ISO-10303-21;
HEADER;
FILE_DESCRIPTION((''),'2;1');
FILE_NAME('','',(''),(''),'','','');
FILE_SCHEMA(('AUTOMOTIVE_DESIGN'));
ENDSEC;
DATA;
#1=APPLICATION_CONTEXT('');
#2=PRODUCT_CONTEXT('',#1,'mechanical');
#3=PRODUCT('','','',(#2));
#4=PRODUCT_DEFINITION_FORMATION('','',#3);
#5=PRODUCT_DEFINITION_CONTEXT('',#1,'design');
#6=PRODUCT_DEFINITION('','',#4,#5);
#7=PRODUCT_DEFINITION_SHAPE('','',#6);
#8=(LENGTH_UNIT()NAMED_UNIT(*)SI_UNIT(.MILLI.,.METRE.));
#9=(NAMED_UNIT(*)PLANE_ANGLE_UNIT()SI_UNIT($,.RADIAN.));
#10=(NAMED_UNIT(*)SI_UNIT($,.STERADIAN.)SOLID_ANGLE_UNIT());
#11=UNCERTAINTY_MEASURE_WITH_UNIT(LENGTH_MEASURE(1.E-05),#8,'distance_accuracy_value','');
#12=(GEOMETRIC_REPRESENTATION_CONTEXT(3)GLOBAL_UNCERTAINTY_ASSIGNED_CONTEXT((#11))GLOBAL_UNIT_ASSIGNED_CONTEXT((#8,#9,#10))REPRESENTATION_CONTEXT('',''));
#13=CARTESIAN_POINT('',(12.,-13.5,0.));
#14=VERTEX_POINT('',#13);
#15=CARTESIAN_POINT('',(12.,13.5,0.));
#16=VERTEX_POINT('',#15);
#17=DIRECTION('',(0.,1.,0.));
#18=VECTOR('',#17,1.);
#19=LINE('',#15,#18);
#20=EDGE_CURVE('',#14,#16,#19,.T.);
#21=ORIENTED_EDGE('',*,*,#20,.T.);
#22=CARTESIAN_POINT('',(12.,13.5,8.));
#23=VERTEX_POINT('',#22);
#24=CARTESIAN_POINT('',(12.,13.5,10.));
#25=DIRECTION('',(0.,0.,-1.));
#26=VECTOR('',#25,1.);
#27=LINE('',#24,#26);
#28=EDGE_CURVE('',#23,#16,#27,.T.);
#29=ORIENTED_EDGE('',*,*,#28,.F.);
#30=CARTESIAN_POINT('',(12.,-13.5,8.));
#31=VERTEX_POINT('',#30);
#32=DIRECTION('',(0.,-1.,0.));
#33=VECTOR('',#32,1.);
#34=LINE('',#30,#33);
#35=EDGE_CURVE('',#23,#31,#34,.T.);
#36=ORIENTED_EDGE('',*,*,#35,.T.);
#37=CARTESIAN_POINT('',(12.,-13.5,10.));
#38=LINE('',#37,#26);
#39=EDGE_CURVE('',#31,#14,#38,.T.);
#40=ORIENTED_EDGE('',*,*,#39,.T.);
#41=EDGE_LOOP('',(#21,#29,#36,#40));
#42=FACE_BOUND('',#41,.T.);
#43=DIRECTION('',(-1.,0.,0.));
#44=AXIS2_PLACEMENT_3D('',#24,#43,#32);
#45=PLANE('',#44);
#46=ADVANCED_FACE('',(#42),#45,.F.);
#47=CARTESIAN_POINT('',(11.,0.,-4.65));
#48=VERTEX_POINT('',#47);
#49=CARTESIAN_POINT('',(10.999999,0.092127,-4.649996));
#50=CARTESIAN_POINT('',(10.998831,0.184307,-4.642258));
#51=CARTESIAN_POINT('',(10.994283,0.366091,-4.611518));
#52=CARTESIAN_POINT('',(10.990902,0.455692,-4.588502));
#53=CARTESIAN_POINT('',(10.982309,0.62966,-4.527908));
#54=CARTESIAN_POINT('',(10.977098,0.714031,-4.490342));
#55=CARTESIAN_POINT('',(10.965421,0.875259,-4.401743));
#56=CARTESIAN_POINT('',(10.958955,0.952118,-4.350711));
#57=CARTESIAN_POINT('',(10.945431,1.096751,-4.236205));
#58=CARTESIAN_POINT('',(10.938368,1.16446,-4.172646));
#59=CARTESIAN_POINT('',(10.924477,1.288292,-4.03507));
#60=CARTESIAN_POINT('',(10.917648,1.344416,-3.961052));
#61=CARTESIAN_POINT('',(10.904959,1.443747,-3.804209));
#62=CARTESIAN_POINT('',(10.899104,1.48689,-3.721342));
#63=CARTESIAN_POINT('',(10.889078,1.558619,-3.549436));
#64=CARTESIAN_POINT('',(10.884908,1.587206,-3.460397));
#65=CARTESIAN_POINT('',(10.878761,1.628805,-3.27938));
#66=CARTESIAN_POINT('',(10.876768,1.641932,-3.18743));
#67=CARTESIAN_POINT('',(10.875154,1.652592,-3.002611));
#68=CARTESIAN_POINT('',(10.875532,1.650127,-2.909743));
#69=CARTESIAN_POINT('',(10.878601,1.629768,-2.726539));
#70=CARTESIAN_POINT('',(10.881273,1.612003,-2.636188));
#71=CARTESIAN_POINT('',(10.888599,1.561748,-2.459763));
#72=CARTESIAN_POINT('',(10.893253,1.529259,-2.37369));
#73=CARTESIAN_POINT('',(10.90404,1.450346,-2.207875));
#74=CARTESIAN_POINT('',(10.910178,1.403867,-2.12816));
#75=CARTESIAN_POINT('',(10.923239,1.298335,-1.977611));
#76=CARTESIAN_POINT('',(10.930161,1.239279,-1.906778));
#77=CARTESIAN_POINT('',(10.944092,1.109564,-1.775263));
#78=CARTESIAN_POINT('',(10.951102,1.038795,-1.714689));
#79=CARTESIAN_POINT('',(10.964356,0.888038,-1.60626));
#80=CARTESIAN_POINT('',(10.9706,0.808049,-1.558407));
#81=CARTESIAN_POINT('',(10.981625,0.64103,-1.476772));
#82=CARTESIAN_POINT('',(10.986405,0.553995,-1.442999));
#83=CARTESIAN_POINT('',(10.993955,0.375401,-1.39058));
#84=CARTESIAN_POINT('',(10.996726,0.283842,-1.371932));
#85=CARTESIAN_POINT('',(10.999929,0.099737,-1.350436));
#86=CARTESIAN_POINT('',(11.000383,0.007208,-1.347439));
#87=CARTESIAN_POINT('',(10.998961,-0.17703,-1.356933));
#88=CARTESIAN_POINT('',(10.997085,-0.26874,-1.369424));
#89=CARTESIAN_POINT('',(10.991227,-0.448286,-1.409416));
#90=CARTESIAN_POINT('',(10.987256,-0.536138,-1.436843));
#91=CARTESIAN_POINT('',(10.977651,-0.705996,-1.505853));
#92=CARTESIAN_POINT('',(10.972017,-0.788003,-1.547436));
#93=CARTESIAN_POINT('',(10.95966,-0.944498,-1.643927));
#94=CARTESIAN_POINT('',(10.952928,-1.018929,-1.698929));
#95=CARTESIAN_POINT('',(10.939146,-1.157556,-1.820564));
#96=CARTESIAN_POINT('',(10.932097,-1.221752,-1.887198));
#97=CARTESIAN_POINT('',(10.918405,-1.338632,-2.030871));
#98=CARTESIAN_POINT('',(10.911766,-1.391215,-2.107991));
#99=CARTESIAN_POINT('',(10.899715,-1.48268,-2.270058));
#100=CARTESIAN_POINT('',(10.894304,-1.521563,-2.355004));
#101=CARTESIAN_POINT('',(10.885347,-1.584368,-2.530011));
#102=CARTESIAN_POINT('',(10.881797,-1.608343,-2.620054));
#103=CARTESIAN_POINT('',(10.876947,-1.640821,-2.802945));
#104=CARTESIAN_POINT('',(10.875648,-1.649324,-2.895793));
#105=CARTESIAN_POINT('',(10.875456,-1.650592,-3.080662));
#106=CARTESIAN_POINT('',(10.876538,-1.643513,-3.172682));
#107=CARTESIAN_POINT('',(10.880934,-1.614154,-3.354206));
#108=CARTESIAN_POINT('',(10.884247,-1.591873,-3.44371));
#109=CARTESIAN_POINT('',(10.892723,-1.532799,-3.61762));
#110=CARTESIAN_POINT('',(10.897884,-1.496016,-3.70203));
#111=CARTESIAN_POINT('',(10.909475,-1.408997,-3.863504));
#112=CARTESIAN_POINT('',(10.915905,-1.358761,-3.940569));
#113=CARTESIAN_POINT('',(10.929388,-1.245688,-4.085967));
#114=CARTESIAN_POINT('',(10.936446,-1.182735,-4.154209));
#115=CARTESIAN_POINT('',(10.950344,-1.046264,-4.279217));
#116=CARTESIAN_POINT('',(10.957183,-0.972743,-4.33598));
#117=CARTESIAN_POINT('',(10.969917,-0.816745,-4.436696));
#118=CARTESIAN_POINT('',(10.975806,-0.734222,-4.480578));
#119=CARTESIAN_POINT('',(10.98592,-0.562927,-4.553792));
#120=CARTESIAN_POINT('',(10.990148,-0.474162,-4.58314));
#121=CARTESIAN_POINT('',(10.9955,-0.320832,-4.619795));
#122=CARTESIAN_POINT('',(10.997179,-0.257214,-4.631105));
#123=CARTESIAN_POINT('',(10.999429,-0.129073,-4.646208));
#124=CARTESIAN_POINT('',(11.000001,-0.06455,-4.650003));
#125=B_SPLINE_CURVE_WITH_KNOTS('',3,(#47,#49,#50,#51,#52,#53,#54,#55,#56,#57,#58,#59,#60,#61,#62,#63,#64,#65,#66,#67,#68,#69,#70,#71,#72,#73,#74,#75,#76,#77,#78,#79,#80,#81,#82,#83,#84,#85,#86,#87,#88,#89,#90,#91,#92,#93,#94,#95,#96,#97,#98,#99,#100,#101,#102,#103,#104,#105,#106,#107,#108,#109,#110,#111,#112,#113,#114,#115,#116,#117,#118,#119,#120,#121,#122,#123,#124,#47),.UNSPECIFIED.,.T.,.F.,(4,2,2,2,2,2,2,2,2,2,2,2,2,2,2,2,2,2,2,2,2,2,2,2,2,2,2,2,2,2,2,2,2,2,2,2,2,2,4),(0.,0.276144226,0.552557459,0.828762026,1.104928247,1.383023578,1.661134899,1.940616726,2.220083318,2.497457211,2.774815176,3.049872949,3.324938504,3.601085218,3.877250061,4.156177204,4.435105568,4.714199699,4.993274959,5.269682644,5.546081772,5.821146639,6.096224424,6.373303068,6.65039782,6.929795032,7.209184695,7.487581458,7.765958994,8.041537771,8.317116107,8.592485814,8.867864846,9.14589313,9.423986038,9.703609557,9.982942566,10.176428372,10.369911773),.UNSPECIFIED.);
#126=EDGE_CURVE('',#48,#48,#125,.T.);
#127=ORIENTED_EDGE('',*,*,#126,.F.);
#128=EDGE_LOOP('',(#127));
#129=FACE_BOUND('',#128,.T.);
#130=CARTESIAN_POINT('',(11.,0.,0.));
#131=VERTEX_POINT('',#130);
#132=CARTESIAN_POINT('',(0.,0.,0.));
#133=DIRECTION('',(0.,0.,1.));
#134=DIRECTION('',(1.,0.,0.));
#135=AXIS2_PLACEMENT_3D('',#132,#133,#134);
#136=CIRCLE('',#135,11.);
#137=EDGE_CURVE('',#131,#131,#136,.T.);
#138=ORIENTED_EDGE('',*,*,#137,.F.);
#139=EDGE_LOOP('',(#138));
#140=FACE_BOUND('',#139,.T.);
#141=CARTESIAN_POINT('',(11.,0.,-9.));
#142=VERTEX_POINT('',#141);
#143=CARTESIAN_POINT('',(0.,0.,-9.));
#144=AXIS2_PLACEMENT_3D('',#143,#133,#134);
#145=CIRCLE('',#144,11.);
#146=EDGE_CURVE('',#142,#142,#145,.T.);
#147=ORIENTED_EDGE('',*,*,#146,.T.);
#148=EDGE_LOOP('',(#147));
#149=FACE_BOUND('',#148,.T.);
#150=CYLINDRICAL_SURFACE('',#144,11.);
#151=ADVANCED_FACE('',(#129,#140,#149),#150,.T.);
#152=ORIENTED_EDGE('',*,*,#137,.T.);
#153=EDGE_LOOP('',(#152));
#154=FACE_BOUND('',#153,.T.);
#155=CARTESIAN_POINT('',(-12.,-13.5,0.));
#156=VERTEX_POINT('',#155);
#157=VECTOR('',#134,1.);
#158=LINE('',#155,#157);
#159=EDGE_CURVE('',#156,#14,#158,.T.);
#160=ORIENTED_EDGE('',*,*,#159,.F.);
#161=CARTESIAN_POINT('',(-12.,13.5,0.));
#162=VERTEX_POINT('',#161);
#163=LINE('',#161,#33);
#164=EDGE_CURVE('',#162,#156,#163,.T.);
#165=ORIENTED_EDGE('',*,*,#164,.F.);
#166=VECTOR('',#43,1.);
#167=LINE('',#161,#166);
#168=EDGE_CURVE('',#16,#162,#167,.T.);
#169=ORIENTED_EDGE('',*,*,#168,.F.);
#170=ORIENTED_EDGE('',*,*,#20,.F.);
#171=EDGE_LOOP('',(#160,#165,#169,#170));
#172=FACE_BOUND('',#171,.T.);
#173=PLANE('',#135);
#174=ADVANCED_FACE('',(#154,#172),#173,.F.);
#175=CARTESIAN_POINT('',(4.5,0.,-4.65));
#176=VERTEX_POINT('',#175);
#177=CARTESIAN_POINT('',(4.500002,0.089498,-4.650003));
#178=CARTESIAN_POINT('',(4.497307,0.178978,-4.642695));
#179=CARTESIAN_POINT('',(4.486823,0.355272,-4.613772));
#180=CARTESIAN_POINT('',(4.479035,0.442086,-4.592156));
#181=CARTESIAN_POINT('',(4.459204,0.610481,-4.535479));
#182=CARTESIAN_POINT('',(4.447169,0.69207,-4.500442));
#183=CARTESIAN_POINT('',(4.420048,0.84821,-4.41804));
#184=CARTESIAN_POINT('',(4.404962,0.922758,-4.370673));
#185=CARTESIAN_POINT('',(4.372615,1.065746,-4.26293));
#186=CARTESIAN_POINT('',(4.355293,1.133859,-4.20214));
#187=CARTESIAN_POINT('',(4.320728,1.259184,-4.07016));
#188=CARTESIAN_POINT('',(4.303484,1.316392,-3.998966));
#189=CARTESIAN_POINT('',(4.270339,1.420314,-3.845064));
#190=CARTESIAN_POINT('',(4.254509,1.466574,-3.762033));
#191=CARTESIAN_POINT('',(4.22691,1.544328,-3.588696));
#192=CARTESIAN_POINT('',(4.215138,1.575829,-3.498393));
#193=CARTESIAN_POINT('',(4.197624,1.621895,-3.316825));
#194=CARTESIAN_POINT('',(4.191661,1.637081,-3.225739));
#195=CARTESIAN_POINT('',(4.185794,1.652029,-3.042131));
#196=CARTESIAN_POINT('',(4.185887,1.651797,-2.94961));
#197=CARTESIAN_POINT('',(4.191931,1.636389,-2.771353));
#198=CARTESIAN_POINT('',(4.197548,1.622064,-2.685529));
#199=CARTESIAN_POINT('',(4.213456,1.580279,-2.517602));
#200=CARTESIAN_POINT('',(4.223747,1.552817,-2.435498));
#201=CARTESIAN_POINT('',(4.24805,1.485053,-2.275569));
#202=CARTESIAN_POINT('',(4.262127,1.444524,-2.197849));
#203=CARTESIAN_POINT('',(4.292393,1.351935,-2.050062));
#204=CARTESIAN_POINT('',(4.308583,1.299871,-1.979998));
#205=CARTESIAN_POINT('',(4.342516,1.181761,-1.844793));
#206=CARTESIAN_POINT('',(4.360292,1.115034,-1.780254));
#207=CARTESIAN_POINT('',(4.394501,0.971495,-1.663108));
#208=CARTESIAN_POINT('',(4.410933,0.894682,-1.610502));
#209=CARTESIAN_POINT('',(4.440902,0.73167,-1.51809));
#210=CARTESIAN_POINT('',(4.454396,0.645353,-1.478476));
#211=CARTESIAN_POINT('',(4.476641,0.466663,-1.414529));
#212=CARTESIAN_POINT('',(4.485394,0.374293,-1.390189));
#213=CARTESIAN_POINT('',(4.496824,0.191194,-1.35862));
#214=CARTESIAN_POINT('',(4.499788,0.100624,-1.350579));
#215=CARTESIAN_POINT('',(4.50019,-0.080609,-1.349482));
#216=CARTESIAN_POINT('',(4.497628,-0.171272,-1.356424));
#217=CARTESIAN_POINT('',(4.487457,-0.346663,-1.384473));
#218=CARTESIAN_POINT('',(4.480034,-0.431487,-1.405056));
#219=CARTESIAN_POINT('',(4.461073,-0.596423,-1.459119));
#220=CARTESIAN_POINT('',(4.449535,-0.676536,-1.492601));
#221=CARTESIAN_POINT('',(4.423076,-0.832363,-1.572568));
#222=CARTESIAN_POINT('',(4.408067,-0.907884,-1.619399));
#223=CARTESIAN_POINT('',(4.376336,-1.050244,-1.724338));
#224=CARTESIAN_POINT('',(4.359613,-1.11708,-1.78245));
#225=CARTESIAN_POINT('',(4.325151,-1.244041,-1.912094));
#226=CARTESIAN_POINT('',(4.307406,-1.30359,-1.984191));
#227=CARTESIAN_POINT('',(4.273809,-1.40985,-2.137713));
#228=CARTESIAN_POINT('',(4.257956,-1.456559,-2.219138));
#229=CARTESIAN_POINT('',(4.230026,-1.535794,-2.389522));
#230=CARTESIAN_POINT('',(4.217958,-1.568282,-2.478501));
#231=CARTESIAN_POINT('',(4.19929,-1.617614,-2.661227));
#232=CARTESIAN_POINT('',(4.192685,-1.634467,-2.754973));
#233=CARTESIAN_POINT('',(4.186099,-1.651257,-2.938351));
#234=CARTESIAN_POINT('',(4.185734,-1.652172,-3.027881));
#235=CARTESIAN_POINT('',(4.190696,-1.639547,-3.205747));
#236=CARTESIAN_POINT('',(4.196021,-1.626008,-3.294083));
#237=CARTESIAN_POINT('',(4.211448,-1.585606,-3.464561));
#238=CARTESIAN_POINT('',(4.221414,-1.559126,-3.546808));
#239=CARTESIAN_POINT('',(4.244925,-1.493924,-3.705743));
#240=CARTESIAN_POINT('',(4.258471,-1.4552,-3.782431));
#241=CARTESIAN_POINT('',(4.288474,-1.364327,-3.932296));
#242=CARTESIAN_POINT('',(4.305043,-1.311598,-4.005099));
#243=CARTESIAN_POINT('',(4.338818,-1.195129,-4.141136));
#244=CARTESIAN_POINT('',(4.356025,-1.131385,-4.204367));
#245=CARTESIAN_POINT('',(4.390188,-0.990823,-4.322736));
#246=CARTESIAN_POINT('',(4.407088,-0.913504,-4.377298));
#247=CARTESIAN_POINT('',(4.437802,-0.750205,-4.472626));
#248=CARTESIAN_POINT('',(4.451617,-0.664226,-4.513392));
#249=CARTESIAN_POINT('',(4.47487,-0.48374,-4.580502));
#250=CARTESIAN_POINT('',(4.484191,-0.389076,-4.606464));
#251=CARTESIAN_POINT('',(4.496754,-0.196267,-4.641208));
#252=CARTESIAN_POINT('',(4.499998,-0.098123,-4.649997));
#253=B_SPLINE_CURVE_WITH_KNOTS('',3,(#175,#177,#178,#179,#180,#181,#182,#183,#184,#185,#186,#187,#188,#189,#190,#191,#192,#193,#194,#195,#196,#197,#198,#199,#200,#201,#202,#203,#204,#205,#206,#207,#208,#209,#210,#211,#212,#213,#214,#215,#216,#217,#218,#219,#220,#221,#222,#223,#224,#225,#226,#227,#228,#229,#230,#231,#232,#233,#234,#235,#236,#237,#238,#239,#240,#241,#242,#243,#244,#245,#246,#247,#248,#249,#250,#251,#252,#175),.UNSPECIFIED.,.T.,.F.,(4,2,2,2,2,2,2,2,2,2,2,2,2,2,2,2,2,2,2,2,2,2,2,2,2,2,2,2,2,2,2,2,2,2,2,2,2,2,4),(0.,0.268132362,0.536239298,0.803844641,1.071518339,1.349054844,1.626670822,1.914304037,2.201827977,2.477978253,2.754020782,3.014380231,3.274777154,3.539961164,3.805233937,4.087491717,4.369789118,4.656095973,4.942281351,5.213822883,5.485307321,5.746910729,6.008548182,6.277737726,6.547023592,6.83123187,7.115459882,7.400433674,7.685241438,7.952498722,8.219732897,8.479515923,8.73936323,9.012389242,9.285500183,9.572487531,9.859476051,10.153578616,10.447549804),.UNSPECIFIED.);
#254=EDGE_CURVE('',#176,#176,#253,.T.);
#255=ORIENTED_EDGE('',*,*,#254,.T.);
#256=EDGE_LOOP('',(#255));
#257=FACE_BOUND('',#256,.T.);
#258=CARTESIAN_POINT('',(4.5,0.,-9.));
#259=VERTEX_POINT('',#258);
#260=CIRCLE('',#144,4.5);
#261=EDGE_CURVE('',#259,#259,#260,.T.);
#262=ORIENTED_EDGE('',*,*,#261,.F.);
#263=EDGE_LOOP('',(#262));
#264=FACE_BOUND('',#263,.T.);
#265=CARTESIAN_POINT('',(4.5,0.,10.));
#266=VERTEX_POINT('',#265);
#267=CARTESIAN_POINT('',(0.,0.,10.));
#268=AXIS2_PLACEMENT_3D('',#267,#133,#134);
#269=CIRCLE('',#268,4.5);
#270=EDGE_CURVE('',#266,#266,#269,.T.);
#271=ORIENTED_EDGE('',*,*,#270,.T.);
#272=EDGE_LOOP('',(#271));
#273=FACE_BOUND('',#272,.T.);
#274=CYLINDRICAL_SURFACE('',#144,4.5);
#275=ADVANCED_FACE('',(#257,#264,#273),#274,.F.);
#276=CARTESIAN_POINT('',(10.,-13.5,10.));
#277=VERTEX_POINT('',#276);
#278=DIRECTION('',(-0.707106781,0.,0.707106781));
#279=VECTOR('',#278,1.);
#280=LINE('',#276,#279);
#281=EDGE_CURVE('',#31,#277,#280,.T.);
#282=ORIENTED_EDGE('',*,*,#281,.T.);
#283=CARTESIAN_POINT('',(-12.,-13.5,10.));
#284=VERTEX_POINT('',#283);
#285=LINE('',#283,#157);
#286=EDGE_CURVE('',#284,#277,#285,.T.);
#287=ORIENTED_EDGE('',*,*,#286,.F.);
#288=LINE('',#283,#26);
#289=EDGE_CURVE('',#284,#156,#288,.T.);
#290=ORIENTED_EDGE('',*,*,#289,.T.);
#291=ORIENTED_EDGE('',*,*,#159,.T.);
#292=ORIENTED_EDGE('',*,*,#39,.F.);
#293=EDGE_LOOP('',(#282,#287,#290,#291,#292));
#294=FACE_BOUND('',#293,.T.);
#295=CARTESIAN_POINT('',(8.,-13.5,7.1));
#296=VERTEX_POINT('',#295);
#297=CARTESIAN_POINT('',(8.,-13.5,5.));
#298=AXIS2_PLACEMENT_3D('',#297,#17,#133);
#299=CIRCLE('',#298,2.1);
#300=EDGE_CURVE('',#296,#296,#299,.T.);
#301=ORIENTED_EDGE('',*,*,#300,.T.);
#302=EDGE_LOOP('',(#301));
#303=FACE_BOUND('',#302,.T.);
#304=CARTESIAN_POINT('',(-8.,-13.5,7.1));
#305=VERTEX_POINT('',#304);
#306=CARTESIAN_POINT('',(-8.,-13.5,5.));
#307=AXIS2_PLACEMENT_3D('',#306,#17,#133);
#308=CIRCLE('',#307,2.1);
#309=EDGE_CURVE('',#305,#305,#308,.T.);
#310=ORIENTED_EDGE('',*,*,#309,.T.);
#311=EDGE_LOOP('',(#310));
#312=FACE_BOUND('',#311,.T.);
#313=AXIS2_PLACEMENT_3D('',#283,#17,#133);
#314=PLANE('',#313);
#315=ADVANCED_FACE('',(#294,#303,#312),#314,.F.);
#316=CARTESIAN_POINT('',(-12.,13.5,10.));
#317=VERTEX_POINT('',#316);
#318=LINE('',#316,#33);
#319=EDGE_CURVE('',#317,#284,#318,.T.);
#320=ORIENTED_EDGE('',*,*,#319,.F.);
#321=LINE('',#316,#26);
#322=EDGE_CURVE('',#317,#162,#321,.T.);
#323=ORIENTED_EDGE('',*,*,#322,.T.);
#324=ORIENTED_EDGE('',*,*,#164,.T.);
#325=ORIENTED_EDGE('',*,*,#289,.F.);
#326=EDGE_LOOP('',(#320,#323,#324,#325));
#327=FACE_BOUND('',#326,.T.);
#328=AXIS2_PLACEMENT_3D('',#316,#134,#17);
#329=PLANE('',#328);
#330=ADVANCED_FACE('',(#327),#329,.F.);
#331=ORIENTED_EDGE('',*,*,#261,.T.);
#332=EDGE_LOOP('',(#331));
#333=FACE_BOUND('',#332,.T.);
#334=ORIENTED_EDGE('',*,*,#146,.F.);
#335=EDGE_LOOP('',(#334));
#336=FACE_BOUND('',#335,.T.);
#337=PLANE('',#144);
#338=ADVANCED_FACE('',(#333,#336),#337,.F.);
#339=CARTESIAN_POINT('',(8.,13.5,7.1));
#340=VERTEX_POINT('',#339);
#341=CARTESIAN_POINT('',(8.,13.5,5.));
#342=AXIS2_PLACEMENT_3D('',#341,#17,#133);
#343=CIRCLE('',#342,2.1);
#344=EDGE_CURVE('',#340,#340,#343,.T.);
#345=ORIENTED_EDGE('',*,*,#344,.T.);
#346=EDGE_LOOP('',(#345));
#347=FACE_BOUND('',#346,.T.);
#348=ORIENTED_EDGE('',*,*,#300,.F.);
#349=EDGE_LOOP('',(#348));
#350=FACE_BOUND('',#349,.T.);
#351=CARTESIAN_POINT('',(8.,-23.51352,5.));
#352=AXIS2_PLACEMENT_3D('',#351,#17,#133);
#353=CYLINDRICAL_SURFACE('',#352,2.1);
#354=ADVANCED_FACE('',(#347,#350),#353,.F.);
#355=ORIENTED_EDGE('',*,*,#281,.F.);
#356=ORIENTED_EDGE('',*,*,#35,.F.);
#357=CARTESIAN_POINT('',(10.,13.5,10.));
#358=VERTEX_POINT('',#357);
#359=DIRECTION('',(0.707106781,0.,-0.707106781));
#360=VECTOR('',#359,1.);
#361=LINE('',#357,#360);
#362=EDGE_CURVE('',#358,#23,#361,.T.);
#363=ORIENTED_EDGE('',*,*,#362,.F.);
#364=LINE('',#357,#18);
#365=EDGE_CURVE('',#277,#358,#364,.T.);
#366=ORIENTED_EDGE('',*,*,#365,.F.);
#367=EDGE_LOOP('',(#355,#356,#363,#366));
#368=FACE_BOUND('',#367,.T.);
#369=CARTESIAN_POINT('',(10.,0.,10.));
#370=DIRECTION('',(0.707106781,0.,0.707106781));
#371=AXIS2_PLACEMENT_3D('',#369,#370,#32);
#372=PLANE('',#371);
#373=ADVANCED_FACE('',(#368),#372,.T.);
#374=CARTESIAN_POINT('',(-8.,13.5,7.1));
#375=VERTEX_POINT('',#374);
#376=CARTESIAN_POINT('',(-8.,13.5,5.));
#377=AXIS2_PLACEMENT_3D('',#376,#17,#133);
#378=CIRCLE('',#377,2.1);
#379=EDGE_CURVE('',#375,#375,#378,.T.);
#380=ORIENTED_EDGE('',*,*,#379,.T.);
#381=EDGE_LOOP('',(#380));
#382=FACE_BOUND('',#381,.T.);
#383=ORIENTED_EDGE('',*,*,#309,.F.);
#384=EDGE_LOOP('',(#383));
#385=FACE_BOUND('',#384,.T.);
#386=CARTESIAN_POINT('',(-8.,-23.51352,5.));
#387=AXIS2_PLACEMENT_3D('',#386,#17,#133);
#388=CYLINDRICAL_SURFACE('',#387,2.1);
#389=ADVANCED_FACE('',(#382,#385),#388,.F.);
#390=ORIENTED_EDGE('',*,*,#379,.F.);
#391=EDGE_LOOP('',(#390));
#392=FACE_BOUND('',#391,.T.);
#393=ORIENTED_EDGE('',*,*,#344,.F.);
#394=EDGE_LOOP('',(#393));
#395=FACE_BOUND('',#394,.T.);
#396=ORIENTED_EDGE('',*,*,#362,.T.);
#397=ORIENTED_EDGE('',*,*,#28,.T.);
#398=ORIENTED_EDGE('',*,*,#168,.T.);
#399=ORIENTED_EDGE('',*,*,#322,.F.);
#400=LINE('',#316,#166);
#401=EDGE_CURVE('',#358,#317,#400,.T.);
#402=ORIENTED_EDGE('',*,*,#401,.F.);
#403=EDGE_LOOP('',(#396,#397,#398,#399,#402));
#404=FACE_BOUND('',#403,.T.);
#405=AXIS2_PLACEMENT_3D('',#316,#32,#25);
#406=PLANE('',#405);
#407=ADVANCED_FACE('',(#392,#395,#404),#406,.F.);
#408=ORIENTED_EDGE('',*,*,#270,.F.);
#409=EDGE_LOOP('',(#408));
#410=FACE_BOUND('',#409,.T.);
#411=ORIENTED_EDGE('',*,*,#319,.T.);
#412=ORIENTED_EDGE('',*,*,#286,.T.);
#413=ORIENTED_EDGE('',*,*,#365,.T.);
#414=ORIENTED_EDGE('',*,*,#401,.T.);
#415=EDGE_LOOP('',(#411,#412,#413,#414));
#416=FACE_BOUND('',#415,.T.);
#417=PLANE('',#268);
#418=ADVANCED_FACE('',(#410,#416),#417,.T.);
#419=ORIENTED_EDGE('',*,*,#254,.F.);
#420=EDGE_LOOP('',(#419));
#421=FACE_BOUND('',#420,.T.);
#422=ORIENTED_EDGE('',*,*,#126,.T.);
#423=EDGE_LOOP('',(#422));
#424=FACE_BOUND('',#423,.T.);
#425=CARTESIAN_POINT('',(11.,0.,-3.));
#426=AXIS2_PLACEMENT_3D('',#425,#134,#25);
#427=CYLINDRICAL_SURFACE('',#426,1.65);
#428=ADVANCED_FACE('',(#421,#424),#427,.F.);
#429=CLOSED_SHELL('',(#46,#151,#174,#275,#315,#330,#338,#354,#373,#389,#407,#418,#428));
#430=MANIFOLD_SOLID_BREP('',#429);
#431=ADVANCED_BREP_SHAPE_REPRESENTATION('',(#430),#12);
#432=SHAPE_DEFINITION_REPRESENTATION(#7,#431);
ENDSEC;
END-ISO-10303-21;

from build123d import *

# Parameters (mm, degrees)
SKETCH_1_W             = 24
SKETCH_1_H             = 27
EXTRUDE_1_DEPTH        = 10
SKETCH_2_R             = 11
SKETCH_2_R_2           = 4.5
EXTRUDE_2_DEPTH        = 9
CUT_EXTRUDE_START      = -41
SKETCH_3_R             = 4.5
CUT_EXTRUDE_1_DEPTH    = 41
SKETCH_4_R             = 2.1
CUT_EXTRUDE_2_DEPTH    = 37.013519789
CHAMFER_1_SIZE         = 2
HOLE_WIZARD_M4_1_D     = 3.3
HOLE_WIZARD_M4_1_DEPTH = 11.5
HOLE_WIZARD_M4_1_TIP   = 0.991420021


with BuildPart() as part:
    # 草图1 → 凸台-拉伸1 (new body)
    with BuildSketch(Plane.XY):
        Rectangle(SKETCH_1_W, SKETCH_1_H)
    extrude(amount=EXTRUDE_1_DEPTH)

    # 草图2 → 凸台-拉伸2 (add)
    with BuildSketch(Plane.XY):
        Circle(SKETCH_2_R)
        Circle(SKETCH_2_R_2, mode=Mode.SUBTRACT)
    extrude(amount=-EXTRUDE_2_DEPTH)

    # 草图3 → 切除-拉伸1 (cut)
    with BuildSketch(Plane(origin=(0, 0, 0), x_dir=(-1, 0, 0), z_dir=(0, 0, -1)).offset(CUT_EXTRUDE_START)):
        with Locations(Location((0, 0, 0), (0, 0, 180))):
            Circle(SKETCH_3_R)
    extrude(amount=CUT_EXTRUDE_1_DEPTH, mode=Mode.SUBTRACT)

    # 草图4 → 切除-拉伸2 (cut)
    with BuildSketch(Plane(origin=(0, 13.5, 0), x_dir=(1, 0, 0), z_dir=(0, 1, 0))):
        with Locations(Location((-8, -5, 0), (0, 0, 270))):
            Circle(SKETCH_4_R)
        with Locations(Location((8, -5, 0), (0, 0, 270))):
            Circle(SKETCH_4_R)
    extrude(amount=-CUT_EXTRUDE_2_DEPTH, mode=Mode.SUBTRACT)

    # 倒角1
    chamfer_1_edges = [part.edges().sort_by_distance(p)[0] for p in [
        (12, 0, 10),
    ]]
    chamfer(chamfer_1_edges, length=CHAMFER_1_SIZE)

    # M4 螺纹孔1
    with Locations(Plane(origin=(11, 0, 0), x_dir=(0, 0, -1), z_dir=(1, 0, 0))):
        with Locations((3, 0)):
            Hole(HOLE_WIZARD_M4_1_D / 2, depth=HOLE_WIZARD_M4_1_DEPTH)
            with Locations((0, 0, -(HOLE_WIZARD_M4_1_DEPTH + HOLE_WIZARD_M4_1_TIP / 2))):  # 118° drill point
                Cone(0, HOLE_WIZARD_M4_1_D / 2, HOLE_WIZARD_M4_1_TIP, mode=Mode.SUBTRACT)


solid = part.part
